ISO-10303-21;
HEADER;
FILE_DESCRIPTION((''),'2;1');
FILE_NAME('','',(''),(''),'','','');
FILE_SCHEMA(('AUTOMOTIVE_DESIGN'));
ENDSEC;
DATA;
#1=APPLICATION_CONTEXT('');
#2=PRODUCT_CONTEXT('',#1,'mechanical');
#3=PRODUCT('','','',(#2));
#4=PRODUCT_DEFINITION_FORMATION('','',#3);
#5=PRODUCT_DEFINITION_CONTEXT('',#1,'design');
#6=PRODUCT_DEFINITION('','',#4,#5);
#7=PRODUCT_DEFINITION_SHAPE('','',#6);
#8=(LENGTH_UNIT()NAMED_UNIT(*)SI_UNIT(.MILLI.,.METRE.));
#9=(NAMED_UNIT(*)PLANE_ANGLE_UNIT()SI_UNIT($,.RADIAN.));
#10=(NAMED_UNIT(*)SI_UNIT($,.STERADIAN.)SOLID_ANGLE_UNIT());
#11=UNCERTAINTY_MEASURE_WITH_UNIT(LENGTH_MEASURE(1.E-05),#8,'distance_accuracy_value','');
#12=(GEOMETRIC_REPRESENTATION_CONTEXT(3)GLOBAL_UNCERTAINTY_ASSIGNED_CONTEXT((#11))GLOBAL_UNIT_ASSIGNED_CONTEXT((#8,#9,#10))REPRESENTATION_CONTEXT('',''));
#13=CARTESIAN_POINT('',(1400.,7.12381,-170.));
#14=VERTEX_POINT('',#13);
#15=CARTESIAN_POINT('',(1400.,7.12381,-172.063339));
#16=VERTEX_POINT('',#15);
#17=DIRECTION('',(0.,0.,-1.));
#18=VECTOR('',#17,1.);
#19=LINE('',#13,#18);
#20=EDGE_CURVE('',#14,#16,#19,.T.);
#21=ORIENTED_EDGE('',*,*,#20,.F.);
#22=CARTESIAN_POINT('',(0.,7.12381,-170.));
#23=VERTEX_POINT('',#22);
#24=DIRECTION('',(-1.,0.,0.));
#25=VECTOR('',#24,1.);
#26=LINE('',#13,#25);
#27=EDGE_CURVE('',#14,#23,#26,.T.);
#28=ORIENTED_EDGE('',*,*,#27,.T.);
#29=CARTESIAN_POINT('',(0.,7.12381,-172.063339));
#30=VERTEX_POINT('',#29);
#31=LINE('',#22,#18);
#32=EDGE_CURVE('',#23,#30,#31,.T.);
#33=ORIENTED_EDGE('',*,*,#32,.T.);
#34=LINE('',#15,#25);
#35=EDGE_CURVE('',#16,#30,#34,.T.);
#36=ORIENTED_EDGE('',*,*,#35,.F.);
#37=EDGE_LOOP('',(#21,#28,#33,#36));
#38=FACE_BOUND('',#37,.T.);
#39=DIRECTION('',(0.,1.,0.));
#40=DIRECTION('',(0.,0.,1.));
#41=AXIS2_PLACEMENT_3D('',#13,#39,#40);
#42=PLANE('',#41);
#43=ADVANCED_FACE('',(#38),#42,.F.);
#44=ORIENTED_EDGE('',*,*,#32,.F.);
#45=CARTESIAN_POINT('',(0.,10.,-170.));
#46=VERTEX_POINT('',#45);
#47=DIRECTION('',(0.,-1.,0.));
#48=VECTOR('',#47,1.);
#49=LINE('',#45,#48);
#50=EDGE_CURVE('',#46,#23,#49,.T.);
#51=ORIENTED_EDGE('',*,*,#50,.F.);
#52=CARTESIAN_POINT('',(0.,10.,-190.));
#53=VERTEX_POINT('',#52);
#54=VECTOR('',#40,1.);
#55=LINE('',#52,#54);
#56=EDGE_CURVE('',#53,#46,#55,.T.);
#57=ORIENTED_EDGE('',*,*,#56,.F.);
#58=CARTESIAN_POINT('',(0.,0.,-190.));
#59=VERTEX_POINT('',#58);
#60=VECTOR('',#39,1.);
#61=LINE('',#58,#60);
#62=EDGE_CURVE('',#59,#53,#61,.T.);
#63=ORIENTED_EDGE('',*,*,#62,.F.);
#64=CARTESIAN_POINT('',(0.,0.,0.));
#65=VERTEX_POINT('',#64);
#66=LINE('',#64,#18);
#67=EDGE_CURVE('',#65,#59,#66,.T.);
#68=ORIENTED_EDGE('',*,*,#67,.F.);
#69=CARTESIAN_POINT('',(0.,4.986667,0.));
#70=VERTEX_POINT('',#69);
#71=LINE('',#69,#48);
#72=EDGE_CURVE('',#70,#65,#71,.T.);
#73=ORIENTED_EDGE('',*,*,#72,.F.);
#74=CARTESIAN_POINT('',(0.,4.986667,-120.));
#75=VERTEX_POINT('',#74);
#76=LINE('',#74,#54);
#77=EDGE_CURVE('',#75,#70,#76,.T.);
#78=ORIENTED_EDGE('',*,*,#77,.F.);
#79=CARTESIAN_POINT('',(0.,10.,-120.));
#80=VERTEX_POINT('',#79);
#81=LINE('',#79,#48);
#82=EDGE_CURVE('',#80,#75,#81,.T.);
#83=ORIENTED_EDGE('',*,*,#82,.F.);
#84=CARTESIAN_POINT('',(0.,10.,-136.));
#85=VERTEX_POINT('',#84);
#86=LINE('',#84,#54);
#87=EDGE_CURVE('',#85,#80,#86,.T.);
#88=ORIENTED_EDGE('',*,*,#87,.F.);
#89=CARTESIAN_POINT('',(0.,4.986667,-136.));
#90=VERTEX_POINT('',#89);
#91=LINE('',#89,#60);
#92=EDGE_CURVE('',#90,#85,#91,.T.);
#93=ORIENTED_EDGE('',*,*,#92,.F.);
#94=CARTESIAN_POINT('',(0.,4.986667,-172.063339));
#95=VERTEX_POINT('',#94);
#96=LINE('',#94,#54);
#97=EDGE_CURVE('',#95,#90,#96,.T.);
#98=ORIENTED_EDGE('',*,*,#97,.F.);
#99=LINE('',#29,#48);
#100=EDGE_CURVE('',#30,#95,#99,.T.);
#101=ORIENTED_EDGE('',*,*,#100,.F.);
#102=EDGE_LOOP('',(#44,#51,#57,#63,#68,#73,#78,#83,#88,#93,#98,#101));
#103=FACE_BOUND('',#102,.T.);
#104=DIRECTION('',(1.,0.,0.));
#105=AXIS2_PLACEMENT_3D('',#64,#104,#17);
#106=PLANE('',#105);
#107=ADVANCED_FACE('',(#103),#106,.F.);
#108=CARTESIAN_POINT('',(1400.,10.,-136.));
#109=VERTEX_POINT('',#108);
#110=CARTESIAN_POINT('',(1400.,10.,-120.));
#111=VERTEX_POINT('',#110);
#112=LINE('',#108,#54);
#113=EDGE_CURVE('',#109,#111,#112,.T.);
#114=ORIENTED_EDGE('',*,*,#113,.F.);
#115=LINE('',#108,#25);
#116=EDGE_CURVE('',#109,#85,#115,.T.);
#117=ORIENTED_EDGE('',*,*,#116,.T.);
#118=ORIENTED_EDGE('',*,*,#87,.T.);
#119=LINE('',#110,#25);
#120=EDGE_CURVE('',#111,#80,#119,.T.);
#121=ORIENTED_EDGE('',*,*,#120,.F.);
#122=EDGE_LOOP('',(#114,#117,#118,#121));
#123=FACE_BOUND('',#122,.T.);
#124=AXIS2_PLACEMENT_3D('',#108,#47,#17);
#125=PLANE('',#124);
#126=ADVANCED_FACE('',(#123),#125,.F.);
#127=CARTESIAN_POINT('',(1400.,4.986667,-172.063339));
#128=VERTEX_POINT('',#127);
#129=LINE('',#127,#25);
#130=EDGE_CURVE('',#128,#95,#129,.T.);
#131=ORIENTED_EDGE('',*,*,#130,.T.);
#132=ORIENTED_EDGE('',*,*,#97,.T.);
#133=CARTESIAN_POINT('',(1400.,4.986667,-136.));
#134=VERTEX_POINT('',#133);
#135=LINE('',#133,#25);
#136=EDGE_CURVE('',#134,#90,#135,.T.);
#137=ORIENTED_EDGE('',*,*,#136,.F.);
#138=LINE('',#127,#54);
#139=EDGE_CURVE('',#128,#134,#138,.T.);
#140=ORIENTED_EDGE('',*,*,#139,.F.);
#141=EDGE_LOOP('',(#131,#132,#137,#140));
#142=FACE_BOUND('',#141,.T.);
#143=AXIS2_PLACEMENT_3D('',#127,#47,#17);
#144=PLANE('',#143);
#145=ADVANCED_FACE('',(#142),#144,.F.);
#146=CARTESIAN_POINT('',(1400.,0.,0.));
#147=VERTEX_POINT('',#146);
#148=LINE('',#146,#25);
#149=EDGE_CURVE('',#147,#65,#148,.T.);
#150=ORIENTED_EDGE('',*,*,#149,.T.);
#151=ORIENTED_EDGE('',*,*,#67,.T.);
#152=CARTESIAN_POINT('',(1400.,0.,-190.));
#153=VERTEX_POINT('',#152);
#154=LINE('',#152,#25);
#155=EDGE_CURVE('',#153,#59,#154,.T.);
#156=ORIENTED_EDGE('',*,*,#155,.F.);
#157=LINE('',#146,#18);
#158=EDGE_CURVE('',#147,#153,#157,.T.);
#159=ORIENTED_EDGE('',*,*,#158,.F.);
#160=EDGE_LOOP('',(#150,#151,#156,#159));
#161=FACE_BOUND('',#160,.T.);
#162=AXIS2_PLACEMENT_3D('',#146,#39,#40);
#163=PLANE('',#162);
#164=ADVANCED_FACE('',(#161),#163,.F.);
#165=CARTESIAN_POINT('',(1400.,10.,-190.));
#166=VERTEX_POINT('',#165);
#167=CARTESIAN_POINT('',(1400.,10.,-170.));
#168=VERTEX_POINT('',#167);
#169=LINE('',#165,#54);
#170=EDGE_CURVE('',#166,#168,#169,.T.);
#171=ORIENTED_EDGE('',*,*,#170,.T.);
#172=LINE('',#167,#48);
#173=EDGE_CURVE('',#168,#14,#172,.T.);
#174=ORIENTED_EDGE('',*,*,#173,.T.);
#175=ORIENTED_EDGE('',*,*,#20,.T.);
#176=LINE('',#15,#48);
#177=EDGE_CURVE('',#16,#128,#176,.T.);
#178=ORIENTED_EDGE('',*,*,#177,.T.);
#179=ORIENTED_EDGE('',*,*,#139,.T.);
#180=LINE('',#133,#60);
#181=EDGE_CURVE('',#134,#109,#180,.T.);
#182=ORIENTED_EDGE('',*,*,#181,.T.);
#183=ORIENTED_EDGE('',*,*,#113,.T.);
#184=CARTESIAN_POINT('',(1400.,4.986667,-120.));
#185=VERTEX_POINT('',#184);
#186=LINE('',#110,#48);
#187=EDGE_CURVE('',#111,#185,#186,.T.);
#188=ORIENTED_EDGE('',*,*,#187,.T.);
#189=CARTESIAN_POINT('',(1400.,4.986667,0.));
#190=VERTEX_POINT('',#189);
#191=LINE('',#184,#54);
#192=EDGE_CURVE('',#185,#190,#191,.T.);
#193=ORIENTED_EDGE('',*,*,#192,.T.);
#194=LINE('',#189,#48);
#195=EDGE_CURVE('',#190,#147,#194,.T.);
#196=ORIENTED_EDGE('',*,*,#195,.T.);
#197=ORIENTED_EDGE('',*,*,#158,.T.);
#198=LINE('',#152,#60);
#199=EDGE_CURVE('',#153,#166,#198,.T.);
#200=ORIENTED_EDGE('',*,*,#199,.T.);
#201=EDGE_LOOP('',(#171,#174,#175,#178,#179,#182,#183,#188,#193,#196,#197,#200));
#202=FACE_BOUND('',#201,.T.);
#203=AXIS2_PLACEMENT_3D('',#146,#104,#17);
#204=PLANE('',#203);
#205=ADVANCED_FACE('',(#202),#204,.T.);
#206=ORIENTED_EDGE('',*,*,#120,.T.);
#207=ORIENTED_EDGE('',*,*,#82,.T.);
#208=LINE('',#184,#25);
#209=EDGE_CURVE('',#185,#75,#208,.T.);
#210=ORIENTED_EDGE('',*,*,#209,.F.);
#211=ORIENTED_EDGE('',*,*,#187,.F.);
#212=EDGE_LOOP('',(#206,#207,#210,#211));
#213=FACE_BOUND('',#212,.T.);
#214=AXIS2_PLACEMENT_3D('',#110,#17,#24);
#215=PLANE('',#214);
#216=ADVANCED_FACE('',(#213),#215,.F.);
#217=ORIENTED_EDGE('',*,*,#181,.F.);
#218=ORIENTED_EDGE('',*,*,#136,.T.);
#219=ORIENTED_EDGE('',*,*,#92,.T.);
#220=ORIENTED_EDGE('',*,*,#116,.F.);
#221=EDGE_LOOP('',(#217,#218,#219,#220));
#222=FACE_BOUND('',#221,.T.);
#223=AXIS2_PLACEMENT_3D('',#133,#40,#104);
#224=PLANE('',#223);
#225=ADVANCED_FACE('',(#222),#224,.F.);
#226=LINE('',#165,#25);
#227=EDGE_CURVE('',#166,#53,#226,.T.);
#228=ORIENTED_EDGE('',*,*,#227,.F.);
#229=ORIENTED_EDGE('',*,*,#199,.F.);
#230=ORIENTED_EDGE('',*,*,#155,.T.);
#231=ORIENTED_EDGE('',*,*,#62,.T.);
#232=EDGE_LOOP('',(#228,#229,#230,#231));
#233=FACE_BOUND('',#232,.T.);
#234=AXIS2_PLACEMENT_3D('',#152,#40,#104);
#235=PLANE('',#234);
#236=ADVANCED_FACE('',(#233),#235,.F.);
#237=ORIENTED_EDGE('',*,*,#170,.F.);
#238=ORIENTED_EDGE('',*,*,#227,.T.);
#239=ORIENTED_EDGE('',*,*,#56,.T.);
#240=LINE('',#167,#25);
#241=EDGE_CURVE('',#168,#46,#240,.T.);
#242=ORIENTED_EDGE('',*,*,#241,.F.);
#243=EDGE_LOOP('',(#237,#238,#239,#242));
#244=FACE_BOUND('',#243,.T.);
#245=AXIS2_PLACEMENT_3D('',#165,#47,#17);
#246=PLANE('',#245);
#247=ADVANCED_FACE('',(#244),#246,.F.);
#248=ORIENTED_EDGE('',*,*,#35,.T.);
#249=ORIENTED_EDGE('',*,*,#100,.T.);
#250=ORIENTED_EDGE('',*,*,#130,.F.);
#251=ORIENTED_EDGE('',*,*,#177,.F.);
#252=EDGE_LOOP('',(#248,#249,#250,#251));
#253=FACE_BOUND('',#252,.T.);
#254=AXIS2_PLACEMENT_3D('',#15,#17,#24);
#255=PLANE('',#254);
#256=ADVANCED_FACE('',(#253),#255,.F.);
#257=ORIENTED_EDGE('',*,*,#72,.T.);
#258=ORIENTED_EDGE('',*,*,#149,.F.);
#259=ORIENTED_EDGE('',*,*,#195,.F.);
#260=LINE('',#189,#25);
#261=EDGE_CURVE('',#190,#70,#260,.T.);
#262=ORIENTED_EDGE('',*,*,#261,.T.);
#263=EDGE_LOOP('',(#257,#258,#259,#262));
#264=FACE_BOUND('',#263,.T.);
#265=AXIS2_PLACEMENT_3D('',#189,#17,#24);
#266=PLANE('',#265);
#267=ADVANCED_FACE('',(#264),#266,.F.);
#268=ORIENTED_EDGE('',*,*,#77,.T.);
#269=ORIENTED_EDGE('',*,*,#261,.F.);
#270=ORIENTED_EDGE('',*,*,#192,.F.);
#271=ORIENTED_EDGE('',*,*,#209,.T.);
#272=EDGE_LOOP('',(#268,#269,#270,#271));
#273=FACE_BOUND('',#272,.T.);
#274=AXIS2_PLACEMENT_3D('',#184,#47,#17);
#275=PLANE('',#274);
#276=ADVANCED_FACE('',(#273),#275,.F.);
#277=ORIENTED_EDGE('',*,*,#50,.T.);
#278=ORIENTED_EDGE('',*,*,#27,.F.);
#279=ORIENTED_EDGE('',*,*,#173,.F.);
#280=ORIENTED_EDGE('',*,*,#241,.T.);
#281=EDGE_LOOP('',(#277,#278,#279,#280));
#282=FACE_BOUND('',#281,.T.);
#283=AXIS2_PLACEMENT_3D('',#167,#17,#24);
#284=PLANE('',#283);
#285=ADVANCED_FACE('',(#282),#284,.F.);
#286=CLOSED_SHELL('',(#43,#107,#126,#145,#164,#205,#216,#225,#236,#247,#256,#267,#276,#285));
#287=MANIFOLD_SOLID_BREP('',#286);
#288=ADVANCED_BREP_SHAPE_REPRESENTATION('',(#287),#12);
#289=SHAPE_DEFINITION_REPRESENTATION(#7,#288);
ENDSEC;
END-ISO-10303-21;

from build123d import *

# Parameters (mm, degrees)
EXTRUDE_1_DEPTH = 1400


with BuildPart() as part:
    # Эскиз1 → Бобышка-Вытянуть1 (new body)
    with BuildSketch(Plane(origin=(0, 0, 0), x_dir=(0, 0, -1), z_dir=(1, 0, 0))):
        Polygon((0, 0), (190, 0), (190, 10), (170, 10), (170, 7.123809524), (172.06333875, 7.123809524), (172.06333875, 4.986666667), (136, 4.986666667), (136, 10), (120, 10), (120, 4.986666667), (0, 4.986666667), align=None)
    extrude(amount=EXTRUDE_1_DEPTH)


solid = part.part
